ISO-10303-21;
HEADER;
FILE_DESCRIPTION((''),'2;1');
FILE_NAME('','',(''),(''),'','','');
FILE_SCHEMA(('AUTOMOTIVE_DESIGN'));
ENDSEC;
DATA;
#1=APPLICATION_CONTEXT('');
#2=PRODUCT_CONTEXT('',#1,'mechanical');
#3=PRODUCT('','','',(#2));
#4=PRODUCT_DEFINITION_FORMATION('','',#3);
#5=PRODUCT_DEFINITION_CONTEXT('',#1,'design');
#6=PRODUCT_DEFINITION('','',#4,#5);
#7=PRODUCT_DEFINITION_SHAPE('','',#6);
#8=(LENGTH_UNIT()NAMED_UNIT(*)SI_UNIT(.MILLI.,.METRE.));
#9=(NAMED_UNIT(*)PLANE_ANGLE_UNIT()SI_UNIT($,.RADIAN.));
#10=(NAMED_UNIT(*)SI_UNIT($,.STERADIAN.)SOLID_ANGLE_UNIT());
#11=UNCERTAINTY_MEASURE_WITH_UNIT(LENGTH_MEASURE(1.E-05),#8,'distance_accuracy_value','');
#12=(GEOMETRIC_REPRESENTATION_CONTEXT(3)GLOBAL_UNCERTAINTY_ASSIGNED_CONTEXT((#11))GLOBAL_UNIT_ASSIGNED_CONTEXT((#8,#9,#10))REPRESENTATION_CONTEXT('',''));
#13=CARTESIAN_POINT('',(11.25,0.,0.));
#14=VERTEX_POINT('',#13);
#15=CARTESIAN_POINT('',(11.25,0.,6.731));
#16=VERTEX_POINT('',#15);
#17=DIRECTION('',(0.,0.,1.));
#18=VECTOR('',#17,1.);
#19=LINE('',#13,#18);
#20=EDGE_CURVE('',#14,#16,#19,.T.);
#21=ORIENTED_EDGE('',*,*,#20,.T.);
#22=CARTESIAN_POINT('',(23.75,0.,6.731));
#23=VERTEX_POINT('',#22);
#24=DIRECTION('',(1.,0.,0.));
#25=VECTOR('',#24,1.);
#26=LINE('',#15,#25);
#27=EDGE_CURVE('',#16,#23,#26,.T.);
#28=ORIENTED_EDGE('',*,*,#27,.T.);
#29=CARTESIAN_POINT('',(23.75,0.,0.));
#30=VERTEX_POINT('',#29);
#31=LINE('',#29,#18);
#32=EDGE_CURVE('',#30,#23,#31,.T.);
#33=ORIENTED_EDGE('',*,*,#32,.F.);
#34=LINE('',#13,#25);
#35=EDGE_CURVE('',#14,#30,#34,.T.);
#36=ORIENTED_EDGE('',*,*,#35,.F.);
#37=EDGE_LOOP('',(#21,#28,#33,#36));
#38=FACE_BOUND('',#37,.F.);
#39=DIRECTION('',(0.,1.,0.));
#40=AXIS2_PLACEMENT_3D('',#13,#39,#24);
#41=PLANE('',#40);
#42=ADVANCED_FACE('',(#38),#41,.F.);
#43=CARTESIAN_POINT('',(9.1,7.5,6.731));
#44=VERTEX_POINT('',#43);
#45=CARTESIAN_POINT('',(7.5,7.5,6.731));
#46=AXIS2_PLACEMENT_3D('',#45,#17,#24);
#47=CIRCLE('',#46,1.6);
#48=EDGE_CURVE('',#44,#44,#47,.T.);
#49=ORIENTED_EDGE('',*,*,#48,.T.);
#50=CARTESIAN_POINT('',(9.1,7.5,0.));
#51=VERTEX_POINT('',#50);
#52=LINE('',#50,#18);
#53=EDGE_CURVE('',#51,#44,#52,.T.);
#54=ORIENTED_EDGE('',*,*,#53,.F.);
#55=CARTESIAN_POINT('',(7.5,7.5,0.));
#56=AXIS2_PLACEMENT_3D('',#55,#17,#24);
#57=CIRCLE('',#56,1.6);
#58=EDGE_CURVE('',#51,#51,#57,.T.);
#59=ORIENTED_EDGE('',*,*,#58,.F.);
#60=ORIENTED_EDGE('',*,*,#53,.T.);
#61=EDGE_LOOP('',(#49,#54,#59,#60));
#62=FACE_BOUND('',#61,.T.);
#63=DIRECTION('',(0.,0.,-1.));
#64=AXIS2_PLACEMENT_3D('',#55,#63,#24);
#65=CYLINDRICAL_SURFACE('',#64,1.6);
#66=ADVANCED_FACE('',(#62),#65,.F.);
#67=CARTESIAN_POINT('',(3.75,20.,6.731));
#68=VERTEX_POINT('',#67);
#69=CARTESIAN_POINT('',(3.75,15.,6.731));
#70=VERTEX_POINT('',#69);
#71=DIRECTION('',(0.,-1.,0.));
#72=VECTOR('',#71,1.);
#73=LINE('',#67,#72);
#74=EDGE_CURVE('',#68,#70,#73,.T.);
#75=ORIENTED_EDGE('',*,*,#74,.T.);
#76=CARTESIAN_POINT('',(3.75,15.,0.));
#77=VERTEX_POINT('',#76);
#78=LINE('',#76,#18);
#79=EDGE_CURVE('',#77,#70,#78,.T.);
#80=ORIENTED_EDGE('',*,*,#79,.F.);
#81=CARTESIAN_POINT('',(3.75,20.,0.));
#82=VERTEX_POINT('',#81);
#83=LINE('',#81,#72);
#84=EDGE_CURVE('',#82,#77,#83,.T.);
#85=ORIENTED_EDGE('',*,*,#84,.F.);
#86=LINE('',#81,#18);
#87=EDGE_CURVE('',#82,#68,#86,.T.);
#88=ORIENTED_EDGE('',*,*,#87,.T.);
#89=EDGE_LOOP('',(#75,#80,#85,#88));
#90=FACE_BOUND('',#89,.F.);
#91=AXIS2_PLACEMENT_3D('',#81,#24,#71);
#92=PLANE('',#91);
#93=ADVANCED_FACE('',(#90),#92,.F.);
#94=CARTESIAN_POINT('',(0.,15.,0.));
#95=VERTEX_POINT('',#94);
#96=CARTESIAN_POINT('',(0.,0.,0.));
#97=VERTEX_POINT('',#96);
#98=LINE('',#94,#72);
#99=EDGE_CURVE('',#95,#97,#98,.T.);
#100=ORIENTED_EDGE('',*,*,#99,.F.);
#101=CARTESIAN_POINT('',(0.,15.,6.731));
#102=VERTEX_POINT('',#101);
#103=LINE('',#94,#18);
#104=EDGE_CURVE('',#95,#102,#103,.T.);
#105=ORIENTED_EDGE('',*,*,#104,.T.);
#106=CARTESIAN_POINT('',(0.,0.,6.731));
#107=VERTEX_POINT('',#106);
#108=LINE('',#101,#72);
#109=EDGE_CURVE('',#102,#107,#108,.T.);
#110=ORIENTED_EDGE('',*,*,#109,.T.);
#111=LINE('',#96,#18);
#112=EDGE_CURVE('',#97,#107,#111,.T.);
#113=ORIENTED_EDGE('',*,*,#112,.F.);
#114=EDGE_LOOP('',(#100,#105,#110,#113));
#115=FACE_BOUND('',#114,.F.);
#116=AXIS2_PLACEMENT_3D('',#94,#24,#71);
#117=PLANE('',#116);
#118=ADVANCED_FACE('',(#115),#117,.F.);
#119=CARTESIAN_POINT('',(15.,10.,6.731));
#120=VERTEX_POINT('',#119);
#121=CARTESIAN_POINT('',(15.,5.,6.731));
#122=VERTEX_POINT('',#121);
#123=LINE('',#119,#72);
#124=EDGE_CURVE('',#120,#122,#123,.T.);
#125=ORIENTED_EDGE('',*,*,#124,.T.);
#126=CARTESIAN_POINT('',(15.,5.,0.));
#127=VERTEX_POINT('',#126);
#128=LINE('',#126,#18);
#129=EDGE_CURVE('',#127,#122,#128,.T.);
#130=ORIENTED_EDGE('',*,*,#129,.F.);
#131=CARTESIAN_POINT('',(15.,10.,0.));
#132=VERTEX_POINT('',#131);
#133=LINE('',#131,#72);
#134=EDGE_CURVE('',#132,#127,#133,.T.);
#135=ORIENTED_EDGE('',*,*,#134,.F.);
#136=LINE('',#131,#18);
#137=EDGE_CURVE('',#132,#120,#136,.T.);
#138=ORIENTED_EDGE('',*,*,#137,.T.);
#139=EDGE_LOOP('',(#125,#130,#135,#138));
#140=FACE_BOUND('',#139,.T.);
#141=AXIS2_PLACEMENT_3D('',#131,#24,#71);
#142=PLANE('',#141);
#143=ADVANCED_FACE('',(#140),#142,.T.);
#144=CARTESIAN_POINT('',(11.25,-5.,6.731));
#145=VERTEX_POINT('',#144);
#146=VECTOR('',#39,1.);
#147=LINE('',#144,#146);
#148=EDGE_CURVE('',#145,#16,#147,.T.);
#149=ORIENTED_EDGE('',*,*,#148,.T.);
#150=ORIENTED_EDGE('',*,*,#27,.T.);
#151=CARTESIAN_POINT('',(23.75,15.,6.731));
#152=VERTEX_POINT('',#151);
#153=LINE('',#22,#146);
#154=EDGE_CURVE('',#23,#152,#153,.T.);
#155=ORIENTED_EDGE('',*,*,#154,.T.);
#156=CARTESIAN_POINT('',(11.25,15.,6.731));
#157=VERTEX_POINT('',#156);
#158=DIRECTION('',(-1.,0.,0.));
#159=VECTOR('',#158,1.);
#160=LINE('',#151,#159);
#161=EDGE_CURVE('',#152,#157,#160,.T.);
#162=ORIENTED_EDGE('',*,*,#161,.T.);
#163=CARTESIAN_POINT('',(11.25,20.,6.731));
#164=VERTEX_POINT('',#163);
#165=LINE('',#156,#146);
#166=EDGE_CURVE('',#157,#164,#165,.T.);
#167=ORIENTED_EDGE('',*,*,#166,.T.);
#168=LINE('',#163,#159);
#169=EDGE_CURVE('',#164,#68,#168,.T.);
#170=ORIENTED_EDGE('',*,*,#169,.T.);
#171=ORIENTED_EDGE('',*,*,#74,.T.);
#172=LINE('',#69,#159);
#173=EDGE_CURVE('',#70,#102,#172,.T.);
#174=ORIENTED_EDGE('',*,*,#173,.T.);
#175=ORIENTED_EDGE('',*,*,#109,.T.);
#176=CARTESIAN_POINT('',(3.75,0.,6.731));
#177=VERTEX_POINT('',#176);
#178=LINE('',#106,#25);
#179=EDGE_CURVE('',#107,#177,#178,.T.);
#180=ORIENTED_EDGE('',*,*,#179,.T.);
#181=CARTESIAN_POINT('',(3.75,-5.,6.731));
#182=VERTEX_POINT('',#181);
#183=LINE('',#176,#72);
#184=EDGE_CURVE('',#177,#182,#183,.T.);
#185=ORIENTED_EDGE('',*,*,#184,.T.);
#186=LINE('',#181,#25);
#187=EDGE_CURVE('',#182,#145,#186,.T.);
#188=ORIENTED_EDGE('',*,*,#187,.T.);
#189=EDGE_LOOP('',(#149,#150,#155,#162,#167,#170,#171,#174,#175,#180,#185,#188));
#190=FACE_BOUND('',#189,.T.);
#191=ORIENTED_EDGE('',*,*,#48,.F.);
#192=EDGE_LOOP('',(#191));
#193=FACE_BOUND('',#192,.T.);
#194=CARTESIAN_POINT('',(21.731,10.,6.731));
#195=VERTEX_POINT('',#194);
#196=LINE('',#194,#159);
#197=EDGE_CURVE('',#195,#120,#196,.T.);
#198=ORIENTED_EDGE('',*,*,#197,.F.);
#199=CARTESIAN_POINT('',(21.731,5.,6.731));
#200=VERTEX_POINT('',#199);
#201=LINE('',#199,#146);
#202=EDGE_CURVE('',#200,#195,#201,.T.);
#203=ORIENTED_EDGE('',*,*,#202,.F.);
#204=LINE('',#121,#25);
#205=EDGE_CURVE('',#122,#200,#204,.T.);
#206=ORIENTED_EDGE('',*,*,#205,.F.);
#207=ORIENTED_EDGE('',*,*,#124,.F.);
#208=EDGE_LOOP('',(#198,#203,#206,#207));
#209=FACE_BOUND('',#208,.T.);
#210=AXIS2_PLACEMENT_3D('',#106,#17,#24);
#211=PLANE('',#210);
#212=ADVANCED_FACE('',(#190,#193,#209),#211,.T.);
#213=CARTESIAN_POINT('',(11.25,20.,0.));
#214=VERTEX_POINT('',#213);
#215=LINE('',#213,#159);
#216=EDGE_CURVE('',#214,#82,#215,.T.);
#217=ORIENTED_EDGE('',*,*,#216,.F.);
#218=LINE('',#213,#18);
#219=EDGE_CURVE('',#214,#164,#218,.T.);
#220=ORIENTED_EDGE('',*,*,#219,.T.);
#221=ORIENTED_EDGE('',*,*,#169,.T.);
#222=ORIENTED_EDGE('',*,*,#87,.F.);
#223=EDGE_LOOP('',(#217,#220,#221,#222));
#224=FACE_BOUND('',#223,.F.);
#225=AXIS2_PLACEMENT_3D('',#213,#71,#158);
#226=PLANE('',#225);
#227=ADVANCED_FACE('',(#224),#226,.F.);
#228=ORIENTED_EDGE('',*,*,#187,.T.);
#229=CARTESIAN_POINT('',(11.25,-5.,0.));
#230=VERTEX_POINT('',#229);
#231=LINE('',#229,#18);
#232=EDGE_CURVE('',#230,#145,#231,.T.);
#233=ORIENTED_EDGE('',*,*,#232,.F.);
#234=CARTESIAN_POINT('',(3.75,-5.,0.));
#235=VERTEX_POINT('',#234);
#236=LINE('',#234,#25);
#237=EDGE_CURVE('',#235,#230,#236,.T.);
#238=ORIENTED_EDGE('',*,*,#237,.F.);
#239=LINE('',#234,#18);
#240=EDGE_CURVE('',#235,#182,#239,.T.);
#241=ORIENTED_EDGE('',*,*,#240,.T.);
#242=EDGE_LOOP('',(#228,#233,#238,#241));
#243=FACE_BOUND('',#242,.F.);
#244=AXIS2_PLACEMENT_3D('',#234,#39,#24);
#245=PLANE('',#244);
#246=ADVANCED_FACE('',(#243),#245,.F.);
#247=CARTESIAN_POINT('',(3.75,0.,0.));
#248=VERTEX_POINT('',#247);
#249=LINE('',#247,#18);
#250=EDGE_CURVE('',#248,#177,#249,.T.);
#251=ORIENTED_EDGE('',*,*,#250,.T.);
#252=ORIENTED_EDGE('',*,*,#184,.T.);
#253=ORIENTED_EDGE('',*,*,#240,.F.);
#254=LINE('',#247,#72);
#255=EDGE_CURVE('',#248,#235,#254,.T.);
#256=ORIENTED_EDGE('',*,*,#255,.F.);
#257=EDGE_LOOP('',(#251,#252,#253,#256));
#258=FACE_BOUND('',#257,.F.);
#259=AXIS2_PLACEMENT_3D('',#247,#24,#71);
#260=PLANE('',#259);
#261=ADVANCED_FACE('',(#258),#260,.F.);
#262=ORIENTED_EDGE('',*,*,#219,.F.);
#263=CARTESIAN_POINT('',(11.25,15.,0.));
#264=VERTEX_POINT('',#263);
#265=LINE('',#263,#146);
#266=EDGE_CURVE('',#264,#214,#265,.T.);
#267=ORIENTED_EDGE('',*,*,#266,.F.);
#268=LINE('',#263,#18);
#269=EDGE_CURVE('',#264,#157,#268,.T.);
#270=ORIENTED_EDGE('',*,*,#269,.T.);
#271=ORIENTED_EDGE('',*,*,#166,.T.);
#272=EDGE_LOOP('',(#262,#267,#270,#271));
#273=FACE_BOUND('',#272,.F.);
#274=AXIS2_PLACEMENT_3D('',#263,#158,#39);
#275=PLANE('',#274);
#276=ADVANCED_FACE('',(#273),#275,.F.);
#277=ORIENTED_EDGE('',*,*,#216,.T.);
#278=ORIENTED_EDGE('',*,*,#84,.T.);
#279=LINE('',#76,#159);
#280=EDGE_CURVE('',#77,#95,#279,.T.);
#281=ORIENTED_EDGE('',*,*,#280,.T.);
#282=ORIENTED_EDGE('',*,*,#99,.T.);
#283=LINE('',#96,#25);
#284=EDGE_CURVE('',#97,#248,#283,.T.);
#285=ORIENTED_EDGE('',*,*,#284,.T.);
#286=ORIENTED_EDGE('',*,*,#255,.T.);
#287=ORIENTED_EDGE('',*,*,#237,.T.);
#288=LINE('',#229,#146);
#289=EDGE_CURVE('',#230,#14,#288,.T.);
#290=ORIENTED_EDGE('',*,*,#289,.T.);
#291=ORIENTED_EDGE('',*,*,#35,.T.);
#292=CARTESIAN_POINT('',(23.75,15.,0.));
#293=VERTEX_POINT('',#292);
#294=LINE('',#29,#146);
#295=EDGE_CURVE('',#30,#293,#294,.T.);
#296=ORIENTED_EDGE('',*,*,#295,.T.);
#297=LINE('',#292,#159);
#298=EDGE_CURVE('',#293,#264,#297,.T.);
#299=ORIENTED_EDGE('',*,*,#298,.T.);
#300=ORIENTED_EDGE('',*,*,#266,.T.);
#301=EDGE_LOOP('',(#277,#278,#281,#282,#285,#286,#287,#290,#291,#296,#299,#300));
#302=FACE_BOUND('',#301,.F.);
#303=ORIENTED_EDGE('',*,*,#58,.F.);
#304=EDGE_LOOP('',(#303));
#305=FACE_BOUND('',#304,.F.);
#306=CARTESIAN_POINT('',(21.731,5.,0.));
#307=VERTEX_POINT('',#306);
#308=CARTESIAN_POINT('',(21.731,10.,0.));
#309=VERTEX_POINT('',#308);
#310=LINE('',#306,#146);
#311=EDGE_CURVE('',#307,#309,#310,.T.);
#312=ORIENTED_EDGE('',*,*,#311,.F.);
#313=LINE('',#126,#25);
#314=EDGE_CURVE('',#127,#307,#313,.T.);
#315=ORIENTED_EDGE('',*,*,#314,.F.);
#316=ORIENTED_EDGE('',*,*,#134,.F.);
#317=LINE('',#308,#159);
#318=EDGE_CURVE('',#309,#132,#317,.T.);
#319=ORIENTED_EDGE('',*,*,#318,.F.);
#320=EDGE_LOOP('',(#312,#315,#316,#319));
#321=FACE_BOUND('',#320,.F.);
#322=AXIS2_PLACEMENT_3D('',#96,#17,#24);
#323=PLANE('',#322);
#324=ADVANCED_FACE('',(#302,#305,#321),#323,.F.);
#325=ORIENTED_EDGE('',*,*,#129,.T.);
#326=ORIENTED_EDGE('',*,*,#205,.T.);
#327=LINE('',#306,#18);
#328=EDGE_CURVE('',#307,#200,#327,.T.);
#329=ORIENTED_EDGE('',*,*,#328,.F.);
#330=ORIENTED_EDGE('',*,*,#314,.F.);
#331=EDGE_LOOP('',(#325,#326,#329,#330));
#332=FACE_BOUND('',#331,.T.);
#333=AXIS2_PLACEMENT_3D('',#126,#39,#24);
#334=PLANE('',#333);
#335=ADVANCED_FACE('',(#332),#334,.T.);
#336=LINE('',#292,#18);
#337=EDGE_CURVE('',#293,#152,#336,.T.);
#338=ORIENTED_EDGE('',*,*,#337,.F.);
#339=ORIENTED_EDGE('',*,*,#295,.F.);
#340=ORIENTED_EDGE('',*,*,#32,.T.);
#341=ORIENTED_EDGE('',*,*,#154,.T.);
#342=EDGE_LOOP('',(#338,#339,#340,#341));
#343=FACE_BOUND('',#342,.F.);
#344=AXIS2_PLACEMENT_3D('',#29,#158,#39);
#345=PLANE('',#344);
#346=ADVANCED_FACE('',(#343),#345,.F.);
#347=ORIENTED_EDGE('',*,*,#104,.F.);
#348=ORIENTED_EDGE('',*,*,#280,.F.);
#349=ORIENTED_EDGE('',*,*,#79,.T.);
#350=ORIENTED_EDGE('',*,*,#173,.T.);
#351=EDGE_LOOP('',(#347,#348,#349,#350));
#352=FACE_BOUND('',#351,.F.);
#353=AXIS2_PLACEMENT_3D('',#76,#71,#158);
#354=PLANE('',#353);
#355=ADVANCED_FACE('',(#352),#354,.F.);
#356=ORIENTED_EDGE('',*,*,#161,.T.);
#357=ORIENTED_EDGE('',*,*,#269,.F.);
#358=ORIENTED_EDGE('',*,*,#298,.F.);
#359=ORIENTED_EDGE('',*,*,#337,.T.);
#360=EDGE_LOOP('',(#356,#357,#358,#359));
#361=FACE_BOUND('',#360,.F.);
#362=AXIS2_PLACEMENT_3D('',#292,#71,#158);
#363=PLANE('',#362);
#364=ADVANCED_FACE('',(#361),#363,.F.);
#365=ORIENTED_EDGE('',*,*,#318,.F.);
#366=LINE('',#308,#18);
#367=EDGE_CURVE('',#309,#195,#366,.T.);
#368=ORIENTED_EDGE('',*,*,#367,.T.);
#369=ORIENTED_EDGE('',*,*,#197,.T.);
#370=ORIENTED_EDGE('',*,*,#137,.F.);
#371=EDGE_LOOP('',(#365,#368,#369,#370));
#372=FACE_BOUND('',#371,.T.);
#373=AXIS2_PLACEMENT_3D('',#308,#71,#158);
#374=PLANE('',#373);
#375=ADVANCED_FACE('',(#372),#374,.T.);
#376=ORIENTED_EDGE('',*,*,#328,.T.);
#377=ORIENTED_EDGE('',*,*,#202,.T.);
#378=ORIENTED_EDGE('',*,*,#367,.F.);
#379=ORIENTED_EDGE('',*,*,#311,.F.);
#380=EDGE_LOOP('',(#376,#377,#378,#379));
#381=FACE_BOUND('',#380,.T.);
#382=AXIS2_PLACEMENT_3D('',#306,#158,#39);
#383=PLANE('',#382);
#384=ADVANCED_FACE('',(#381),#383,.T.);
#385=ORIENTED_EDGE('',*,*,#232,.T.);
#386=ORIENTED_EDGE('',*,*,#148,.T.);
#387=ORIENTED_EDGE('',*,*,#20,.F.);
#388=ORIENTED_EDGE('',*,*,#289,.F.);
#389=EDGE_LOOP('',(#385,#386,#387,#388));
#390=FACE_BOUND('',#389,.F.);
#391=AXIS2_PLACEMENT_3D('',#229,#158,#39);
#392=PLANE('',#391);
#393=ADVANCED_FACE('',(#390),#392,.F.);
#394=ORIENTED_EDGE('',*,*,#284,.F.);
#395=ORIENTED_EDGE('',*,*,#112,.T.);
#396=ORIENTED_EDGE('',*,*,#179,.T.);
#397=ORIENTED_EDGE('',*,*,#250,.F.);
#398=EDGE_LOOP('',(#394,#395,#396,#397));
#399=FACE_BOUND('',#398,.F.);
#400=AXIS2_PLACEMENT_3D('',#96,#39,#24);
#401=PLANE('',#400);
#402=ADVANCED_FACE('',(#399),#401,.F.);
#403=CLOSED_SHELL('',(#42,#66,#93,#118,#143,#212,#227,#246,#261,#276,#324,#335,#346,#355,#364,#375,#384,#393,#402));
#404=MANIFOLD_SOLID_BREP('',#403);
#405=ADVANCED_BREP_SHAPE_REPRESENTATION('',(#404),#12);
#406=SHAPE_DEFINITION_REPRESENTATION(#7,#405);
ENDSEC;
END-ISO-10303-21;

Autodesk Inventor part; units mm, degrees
ref_plane "YZ Plane" through (0, 0, 0) normal (1, 0, 0) x (0, 1, 0)
ref_plane "XZ Plane" through (0, 0, 0) normal (0, 1, 0) x (-1, 0, 0)
ref_plane "XY Plane" through (0, 0, 0) normal (0, 0, 1) x (1, 0, 0)
sketch "Sketch1" plane through (0, 0, 0) normal (0, 0, 1) x (1, 0, 0)
  line L0 (0, 0) -> (3.75, 0)
  line L1 (3.75, 0) -> (3.75, -5)
  line L2 (3.75, -5) -> (11.25, -5)
  line L3 (11.25, -5) -> (11.25, 0)
  line L4 (11.25, 0) -> (23.75, 0)
  line L5 (23.75, 0) -> (23.75, 15)
  line L6 (23.75, 15) -> (11.25, 15)
  line L7 (11.25, 15) -> (11.25, 20)
  line L8 (11.25, 20) -> (3.75, 20)
  line L9 (3.75, 20) -> (3.75, 15)
  line L10 (3.75, 15) -> (0, 15)
  line L11 (0, 15) -> (0, 0)
  line L12 (21.731, 10) -> (15, 10)
  line L13 (15, 10) -> (15, 5)
  line L14 (15, 5) -> (21.731, 5)
  line L15 (21.731, 5) -> (21.731, 10)
  circle A0 centre (7.5, 7.5) radius 1.6
  point P0 (21.731, 7.5)
  point P1 (23.75, 7.5)
  point P2 (7.5, -5)
  point P3 (0, 7.5)
  dimension "d0" = 15
  dimension "d1" = 3.75
  dimension "d2" = 5
  dimension "d3" = 7.5
  dimension "d4" = 12.5
  dimension "d5" = 6.731
  dimension "d6" = 5
  dimension "d7" = 3.75
  dimension "d12" = 3.2
extrude "Extrusion1" add sketch "Sketch1" along normal blind 6.731
equation "\"d5\" = THICKB"
equation "\"d7\" = d1"
equation "\"d8\" = THICKB"
equation "\"THICKA\" = 3.175"
equation "\"THICKB\" = 6.731"
equation "\"THICKC\" = 12.7"
equation "\"MAGDIA\" = 9.5"
equation "\"BALLDIA\" = 12"
equation "\"THICKPLY\" = 5"
properties part number "Frame_Upper_Vertical_Plate_A"
